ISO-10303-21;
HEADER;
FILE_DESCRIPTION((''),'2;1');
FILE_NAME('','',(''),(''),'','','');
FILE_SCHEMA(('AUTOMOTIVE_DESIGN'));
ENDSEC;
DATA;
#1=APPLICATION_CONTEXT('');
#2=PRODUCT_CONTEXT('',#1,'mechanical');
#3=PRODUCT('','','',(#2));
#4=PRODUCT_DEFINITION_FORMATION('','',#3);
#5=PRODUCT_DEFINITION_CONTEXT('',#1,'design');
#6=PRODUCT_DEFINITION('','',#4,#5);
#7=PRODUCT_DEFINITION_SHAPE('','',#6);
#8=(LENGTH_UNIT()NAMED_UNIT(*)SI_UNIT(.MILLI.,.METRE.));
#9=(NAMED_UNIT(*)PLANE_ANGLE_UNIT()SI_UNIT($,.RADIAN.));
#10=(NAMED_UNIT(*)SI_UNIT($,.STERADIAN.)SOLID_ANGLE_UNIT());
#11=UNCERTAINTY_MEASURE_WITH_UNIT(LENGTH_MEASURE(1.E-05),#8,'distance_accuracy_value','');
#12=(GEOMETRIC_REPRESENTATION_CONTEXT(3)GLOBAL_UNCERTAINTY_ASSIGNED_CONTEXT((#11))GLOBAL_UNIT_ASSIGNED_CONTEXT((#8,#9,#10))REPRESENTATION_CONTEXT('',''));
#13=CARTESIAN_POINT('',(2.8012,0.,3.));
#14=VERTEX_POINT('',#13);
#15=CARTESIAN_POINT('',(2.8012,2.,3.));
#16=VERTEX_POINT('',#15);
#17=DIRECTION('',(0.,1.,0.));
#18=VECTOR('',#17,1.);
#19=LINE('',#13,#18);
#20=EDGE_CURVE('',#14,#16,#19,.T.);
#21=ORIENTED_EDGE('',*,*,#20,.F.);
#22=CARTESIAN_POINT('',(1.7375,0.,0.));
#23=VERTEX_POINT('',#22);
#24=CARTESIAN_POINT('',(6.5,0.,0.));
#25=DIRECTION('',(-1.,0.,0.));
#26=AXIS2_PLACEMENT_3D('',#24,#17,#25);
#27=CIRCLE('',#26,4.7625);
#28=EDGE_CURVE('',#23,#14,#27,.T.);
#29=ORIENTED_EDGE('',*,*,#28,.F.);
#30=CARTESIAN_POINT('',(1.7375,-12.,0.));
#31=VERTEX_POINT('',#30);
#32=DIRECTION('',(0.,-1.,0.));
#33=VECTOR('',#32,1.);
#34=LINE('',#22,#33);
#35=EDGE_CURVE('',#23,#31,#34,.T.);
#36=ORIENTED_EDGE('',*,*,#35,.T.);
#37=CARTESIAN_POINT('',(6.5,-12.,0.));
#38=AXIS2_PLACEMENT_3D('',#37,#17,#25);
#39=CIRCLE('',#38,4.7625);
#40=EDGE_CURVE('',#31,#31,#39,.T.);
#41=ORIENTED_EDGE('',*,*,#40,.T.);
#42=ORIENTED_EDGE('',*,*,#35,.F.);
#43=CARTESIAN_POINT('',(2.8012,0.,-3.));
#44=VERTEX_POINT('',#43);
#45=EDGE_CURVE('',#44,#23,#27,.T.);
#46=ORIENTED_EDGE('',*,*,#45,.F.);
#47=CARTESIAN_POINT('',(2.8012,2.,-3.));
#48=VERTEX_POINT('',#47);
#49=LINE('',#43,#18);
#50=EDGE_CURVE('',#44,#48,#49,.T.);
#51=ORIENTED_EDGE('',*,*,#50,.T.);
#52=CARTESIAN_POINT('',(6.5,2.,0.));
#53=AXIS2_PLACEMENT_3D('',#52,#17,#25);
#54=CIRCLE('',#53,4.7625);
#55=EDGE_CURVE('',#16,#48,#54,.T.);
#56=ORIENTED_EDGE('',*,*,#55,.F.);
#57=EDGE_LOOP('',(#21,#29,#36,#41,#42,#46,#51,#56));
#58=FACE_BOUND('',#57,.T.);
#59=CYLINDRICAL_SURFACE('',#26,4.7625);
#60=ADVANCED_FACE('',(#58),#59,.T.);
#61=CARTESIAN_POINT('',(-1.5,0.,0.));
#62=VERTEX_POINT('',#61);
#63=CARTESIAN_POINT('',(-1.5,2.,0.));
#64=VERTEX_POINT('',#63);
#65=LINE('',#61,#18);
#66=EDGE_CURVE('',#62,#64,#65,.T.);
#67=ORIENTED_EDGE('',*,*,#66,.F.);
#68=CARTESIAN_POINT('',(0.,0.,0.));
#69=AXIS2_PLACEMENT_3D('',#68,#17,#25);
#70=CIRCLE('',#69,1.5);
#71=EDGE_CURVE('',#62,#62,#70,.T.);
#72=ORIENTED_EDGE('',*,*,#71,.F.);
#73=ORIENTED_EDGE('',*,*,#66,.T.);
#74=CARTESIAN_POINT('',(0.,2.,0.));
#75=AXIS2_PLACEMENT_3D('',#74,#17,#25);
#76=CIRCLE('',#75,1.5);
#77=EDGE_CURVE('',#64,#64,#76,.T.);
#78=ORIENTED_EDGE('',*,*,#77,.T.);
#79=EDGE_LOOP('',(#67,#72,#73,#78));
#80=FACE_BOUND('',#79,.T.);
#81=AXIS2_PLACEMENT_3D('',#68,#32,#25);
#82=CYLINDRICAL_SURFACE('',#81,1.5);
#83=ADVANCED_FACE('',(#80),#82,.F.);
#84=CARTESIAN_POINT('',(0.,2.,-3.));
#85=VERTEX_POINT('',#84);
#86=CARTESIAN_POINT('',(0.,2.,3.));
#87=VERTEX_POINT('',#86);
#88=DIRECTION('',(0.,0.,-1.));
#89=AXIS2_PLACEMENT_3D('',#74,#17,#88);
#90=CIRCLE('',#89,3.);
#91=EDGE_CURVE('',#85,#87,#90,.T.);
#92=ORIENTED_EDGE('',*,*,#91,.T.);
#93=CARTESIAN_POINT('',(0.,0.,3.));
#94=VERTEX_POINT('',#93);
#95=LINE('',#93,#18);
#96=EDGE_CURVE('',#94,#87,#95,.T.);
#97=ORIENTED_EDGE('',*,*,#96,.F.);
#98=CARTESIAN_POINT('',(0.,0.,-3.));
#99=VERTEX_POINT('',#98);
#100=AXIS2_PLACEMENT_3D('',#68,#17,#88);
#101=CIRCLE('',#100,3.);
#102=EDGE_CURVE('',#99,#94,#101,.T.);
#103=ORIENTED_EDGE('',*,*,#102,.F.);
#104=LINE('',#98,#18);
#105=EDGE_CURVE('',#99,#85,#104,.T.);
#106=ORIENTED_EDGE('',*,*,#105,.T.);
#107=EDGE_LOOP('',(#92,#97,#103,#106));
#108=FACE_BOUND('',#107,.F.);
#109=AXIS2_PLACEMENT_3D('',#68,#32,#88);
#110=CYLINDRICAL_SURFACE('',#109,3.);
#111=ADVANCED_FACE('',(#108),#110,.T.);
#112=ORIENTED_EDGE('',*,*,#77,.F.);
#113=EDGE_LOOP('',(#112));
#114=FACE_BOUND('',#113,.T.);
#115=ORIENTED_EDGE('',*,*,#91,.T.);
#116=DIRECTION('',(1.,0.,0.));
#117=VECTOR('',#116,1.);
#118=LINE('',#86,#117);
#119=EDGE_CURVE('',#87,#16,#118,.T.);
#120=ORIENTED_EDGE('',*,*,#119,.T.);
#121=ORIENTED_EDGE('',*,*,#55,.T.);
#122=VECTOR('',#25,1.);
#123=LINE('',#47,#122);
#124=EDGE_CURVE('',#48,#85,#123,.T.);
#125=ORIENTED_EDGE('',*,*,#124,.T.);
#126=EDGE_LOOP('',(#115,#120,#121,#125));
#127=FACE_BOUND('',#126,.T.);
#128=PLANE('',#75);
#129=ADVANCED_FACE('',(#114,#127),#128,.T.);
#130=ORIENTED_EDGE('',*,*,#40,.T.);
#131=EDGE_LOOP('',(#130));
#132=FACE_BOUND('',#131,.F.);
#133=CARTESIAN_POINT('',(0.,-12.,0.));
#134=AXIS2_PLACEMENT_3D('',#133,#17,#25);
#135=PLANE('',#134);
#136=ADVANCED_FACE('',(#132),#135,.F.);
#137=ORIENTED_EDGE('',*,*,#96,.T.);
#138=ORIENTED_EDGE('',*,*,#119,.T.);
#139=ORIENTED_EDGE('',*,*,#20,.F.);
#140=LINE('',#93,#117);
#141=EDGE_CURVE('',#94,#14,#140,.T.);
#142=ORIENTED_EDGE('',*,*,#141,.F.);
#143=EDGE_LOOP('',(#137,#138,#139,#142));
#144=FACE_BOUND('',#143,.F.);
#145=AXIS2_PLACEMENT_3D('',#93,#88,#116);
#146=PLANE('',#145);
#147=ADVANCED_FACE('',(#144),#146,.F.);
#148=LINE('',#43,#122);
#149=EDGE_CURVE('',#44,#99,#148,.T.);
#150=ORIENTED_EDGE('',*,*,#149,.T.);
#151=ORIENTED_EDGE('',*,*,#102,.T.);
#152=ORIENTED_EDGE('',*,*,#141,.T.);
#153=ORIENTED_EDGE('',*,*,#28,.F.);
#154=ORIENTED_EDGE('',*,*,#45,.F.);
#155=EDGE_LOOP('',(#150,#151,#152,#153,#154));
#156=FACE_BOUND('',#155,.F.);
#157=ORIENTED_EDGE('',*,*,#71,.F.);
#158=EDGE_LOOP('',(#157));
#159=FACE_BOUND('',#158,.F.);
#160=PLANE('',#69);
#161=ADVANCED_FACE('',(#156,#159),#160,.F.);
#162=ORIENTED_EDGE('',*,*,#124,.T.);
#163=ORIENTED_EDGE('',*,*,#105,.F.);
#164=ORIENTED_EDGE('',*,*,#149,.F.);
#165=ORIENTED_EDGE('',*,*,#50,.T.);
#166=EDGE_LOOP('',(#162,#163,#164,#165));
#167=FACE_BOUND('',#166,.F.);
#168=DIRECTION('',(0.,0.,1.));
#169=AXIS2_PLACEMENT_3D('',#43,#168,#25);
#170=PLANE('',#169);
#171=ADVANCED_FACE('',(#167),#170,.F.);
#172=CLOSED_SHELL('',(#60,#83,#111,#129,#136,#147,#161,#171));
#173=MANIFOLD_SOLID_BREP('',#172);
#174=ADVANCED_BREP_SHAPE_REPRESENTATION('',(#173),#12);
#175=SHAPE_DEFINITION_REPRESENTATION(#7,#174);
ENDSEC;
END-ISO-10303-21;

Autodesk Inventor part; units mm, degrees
ref_plane "YZ Plane" through (0, 0, 0) normal (1, 0, 0) x (0, 1, 0)
ref_plane "XZ Plane" through (0, 0, 0) normal (0, 1, 0) x (-1, 0, 0)
ref_plane "XY Plane" through (0, 0, 0) normal (0, 0, 1) x (1, 0, 0)
sketch "Sketch1" plane through (0, 0, 0) normal (0, 1, 0) x (-1, 0, 0)
  circle A0 centre (0, 0) radius 1.5
  circle A1 centre (-6.5, 0) radius 4.7625
  line L0 (-2.8012, -3) -> (0, -3)
  arc A2 (0, -3) -> (0, 3) centre (0, 0) ccw
  line L1 (0, 3) -> (-2.8012, 3)
  dimension "d0" = 3
  dimension "d1" = 9.525
  dimension "d2" = 6.5
  dimension "d3" = 3
extrude "Extrusion1" add sketch "Sketch1" along normal blind 2
extrude "Extrusion2" add sketch "Sketch1" against normal blind 12 contours A1
properties part number "Tensioner" material "ABS Plastic"
